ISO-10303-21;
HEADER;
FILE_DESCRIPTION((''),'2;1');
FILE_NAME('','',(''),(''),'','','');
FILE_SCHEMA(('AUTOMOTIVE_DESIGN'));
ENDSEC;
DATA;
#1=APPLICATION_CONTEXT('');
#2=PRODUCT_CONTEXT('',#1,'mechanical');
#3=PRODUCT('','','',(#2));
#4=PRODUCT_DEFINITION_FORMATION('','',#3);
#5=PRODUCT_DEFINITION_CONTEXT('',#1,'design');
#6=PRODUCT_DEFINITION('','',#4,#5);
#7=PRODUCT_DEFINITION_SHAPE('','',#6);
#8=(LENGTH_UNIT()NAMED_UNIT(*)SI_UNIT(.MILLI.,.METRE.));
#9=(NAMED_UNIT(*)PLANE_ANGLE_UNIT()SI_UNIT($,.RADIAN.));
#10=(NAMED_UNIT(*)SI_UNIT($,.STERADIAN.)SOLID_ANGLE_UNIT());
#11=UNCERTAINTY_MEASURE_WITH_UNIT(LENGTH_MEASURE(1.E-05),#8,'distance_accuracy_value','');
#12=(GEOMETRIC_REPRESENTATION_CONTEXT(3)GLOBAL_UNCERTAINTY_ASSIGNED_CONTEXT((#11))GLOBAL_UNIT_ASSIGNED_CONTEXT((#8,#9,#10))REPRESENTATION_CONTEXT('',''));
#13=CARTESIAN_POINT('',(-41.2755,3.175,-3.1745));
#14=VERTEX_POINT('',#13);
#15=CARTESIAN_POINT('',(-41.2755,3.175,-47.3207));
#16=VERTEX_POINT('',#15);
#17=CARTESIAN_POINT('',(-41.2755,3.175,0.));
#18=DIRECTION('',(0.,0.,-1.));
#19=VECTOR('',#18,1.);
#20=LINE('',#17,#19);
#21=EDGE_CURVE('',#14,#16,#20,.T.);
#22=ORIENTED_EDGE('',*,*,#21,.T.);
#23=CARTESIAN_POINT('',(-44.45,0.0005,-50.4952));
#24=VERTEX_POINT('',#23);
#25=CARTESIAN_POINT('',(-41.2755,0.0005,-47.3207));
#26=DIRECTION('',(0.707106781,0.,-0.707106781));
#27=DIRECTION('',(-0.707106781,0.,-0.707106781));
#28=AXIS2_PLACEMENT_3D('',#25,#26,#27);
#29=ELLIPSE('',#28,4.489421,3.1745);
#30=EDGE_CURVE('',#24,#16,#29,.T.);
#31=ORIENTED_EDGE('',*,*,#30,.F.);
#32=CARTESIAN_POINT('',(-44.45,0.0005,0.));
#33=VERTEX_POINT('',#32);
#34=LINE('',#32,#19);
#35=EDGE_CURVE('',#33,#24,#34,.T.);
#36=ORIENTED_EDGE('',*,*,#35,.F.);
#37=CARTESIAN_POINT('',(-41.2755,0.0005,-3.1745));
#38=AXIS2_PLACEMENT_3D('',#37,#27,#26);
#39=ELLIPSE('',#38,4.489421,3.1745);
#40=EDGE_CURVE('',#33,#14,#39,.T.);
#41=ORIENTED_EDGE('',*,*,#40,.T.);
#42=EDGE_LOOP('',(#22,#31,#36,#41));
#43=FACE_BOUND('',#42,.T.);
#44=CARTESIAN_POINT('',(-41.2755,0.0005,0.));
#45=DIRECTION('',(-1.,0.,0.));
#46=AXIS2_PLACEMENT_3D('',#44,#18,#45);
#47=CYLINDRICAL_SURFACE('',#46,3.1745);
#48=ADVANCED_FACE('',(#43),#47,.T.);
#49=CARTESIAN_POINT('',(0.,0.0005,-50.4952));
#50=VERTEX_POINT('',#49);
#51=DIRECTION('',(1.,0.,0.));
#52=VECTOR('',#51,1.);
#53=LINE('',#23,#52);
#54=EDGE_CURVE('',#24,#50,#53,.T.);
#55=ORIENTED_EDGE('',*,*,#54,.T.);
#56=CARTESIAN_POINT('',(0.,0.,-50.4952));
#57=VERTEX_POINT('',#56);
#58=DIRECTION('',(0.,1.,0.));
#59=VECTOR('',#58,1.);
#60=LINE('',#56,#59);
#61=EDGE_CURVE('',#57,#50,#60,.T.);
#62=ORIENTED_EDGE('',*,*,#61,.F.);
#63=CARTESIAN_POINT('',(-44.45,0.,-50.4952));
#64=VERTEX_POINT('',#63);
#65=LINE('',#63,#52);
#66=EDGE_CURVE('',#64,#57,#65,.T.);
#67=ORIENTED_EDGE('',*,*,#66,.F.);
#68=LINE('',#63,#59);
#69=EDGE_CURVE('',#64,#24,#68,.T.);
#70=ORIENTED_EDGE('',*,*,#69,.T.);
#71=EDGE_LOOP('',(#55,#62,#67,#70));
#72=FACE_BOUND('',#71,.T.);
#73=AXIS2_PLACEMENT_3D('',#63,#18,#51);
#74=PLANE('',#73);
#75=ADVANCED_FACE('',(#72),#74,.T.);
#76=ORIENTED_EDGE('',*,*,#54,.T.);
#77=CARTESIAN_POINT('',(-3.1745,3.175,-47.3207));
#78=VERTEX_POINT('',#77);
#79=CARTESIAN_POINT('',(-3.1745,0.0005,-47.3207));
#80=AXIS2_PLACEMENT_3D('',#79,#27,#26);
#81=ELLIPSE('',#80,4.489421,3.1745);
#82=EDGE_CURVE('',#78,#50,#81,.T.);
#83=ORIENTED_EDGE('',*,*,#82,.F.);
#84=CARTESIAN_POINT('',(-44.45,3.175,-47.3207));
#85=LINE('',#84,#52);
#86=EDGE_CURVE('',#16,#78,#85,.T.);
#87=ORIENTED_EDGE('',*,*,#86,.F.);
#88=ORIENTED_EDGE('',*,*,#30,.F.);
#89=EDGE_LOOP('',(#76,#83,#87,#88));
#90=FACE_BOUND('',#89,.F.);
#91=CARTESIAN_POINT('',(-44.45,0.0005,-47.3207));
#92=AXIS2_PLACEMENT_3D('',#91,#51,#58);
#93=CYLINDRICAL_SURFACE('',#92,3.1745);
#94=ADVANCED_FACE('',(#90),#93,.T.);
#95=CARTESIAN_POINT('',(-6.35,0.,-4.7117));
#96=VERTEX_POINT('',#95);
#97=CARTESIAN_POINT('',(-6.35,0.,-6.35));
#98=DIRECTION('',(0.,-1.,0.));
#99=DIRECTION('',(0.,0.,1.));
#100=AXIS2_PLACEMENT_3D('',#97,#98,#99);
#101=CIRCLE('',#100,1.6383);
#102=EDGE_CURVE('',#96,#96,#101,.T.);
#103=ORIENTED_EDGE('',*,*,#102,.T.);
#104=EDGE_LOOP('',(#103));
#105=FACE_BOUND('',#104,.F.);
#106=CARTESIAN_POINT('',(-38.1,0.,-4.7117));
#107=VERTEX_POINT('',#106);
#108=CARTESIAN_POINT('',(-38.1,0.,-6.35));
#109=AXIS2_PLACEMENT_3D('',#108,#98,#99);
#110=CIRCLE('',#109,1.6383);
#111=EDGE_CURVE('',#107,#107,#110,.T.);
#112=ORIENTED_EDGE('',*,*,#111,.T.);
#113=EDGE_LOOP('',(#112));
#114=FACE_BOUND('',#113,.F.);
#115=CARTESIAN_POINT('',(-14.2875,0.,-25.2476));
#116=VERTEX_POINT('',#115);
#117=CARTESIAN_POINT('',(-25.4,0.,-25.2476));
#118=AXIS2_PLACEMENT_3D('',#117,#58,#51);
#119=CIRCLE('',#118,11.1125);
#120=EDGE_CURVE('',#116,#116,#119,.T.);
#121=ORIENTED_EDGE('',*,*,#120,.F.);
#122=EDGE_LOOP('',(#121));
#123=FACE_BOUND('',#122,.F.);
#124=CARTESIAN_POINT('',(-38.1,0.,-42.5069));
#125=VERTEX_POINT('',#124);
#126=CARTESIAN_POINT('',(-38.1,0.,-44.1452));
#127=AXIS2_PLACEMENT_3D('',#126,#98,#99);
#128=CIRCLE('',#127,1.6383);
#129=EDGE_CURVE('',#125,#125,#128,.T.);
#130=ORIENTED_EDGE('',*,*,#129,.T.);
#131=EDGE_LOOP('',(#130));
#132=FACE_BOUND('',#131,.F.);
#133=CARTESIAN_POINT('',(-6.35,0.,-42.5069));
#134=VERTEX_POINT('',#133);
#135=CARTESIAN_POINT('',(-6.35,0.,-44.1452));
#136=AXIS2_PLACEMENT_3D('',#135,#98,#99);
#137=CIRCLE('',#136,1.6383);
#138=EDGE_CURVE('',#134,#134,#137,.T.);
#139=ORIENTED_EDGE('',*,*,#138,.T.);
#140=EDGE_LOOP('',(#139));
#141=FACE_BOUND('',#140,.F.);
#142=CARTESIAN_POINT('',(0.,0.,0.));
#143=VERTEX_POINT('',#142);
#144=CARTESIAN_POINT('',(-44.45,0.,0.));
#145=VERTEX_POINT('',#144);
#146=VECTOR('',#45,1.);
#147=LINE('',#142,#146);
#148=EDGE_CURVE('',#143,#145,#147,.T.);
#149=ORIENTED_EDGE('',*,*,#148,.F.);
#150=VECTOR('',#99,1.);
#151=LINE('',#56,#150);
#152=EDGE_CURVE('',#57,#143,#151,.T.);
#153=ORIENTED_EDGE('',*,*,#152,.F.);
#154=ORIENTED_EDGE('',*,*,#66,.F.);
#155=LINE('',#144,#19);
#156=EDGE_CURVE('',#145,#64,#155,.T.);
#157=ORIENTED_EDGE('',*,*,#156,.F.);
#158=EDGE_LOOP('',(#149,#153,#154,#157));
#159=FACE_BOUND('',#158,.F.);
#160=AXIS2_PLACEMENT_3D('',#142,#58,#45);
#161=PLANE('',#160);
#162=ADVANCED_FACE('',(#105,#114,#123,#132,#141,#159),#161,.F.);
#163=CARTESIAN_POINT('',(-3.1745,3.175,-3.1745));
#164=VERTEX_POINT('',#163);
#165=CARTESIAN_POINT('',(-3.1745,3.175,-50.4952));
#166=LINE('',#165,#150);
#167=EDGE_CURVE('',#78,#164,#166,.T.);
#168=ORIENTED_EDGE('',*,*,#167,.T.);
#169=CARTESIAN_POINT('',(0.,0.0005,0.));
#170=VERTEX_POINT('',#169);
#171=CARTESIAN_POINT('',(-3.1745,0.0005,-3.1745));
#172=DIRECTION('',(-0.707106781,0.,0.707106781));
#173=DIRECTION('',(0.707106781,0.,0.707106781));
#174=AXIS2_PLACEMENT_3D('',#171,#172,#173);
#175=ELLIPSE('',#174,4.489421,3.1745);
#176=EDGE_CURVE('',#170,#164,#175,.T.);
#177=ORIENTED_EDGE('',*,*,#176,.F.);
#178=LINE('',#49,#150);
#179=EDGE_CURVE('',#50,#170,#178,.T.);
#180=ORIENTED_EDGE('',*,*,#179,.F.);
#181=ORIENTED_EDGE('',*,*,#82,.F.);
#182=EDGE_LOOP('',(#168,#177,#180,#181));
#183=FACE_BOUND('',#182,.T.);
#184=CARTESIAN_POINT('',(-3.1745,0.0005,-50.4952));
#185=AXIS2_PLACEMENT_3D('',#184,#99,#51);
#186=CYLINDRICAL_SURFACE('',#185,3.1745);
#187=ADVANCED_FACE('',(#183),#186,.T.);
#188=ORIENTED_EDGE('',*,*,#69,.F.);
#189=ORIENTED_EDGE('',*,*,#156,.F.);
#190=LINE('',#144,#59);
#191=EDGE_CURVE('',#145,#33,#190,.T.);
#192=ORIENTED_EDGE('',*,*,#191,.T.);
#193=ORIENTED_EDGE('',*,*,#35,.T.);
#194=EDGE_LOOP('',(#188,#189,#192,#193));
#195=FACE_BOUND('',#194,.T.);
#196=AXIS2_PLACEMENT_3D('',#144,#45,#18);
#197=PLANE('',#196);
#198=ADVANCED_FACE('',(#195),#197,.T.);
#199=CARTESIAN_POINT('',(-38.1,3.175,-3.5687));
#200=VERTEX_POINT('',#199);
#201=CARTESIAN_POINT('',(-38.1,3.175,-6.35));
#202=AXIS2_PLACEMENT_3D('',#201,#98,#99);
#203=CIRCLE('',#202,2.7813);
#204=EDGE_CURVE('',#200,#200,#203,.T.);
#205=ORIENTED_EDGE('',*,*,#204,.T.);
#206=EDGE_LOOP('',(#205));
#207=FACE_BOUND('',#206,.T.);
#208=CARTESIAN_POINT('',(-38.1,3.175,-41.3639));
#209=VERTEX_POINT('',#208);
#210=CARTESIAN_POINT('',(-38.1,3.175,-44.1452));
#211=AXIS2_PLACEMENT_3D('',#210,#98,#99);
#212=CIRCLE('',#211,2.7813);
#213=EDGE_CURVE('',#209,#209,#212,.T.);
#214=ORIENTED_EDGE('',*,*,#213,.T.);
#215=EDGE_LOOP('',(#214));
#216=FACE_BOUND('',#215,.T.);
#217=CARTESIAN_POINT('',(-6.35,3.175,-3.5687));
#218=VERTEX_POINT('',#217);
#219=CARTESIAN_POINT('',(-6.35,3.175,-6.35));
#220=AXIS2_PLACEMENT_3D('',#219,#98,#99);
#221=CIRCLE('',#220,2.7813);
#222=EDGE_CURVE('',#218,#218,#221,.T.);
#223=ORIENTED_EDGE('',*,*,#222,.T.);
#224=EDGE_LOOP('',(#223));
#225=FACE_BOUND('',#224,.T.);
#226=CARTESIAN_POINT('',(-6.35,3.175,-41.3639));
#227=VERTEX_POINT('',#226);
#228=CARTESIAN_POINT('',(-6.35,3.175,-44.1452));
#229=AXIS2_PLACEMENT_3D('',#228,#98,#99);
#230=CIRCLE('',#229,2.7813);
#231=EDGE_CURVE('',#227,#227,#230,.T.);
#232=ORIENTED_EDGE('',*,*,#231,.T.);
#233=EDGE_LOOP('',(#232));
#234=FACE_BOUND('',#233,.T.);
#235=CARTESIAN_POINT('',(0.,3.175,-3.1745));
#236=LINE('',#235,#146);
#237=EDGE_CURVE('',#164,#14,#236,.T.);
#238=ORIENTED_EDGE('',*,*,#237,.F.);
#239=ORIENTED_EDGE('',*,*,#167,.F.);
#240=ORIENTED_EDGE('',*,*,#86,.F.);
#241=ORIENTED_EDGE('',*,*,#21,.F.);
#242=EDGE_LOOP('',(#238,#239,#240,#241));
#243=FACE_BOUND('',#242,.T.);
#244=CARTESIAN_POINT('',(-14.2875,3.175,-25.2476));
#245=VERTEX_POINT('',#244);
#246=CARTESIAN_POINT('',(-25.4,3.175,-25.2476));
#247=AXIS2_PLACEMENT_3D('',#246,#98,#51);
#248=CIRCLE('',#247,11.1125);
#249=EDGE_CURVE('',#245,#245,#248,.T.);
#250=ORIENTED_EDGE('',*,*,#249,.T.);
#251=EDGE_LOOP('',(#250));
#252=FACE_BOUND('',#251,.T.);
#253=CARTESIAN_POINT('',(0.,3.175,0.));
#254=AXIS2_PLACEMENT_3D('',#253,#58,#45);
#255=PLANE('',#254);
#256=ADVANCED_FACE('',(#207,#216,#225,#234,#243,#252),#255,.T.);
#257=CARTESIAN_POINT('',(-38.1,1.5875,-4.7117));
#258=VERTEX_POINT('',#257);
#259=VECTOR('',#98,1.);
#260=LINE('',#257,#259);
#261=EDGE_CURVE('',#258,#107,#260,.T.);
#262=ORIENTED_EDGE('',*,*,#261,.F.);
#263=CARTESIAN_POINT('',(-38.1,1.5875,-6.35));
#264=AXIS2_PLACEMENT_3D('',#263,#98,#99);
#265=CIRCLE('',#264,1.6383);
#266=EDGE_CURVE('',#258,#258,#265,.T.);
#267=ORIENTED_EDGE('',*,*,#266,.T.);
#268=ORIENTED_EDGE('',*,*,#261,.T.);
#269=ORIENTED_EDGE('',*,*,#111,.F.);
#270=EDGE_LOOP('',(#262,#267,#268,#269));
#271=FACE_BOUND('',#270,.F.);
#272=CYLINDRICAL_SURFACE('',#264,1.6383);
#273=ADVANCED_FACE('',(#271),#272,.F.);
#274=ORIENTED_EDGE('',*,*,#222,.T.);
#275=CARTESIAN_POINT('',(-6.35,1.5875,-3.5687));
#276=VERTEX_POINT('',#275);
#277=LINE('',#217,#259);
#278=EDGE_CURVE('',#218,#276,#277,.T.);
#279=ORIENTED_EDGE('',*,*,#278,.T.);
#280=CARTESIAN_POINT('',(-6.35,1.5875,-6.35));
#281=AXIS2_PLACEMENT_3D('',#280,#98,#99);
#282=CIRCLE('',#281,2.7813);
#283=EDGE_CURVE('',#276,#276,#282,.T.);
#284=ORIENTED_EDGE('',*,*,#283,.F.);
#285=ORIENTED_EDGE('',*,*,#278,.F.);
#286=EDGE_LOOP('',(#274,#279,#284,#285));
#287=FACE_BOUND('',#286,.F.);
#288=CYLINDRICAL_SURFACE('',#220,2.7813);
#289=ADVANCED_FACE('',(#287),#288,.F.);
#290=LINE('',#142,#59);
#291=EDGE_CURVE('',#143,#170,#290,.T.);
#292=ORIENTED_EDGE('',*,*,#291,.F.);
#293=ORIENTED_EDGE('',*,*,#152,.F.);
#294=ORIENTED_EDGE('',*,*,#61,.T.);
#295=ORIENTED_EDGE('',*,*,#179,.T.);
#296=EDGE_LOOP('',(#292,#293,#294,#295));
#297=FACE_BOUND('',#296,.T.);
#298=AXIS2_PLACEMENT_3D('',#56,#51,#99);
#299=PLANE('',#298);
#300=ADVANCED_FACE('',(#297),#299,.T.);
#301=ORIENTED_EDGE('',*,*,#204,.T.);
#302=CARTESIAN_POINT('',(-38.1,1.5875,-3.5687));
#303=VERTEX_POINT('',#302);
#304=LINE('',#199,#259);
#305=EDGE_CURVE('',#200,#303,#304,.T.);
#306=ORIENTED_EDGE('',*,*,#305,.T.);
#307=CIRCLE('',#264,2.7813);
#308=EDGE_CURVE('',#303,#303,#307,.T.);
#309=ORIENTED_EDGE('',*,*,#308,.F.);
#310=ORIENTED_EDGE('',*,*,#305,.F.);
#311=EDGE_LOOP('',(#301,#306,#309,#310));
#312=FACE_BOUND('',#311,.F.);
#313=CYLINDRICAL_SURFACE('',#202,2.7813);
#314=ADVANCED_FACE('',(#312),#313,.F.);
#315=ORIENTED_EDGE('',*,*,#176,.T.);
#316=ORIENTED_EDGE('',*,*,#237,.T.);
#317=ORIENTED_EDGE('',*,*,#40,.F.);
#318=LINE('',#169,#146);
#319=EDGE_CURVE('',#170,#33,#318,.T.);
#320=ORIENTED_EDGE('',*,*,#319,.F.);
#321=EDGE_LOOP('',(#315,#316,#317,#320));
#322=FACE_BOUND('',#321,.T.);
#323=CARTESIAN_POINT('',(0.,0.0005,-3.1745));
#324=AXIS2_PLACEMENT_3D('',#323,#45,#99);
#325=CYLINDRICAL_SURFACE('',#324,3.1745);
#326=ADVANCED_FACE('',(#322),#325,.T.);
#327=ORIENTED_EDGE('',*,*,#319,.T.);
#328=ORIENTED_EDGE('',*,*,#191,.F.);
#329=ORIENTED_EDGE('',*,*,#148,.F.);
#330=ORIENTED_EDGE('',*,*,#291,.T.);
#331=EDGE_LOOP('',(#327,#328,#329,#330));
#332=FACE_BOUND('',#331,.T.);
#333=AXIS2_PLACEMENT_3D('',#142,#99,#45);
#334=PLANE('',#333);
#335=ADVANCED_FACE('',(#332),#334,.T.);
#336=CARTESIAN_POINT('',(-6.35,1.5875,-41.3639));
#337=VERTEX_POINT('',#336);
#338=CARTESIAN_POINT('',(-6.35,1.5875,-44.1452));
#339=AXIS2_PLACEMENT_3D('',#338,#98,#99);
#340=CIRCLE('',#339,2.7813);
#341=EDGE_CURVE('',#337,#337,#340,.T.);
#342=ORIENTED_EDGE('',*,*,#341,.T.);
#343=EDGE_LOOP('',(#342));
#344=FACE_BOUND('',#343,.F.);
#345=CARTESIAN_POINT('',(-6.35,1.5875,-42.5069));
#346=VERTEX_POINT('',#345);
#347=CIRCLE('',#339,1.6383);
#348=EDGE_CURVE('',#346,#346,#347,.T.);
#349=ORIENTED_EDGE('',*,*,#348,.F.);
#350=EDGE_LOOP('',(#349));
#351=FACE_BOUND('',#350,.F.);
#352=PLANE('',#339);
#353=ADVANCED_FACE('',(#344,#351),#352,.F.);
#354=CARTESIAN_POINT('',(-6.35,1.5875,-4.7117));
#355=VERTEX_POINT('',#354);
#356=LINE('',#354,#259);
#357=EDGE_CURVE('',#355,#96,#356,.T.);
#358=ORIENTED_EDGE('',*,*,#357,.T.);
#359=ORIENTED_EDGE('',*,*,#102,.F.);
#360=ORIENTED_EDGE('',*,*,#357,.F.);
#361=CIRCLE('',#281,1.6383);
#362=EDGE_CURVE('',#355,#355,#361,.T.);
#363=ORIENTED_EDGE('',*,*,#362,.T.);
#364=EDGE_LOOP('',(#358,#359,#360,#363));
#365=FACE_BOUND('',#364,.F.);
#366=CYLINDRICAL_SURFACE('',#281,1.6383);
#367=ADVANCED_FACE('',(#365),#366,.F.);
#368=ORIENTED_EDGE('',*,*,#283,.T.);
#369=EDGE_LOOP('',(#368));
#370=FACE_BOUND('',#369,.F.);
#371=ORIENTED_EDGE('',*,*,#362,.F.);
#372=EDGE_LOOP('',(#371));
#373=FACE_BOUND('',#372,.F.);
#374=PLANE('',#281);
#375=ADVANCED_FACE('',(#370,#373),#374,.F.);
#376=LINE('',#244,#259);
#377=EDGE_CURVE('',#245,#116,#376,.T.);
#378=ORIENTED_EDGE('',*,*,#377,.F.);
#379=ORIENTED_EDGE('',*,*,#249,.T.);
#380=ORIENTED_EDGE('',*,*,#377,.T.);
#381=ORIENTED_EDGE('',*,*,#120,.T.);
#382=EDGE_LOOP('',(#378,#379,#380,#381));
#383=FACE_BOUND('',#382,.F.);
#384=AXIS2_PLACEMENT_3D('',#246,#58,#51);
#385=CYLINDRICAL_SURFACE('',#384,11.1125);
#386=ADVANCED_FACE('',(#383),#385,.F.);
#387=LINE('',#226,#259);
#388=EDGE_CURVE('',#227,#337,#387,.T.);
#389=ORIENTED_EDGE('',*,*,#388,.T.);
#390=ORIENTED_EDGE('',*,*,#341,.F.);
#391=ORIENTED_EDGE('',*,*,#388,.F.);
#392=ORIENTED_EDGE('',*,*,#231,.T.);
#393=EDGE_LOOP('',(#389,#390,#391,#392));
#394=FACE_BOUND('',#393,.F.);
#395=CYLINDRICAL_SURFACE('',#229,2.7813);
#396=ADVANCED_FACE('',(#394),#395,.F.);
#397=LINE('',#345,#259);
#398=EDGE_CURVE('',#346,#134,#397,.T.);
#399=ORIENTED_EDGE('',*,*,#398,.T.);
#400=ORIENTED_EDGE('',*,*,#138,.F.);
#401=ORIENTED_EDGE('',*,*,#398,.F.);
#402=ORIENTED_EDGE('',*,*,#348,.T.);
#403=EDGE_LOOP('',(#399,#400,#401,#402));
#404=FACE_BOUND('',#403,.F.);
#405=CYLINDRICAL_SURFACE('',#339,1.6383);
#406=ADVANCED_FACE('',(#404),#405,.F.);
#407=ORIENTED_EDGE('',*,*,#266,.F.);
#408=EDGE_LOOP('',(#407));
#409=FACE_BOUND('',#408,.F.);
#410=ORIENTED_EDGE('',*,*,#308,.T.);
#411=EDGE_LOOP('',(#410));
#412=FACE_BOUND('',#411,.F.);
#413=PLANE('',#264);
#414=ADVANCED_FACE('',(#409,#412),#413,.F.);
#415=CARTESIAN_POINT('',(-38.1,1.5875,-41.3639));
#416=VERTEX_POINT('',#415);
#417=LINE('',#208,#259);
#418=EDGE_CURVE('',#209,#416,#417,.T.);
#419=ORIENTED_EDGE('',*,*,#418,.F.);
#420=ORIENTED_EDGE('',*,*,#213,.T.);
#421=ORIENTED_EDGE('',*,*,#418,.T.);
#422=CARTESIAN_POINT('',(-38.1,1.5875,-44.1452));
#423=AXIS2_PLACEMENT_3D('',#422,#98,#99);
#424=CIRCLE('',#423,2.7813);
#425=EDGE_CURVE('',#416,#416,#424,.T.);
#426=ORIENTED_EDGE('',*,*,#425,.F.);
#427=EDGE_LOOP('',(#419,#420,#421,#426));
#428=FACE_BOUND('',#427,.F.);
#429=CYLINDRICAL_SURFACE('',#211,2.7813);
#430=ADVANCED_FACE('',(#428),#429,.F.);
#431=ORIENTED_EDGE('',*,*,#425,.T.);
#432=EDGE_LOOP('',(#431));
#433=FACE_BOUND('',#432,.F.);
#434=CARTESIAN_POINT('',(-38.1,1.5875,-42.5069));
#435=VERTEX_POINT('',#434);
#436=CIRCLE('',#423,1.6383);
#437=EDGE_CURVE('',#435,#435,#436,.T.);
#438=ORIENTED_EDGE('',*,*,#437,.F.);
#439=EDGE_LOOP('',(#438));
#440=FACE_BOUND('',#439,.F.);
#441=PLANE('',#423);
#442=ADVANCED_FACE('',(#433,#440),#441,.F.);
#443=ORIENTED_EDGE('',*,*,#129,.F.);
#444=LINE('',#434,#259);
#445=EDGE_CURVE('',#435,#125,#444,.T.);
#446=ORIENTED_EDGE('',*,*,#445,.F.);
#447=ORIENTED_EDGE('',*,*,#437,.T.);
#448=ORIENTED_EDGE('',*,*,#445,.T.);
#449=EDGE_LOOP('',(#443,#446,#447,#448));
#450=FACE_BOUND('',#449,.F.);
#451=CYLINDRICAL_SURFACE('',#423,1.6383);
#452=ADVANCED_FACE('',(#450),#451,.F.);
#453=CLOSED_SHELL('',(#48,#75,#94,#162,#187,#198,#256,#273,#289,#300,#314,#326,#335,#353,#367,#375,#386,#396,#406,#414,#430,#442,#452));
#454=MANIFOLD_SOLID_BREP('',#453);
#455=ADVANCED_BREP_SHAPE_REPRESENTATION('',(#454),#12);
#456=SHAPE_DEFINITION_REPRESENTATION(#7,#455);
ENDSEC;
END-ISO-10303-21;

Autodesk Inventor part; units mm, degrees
ref_plane "YZ Plane" through (0, 0, 0) normal (1, 0, 0) x (0, 1, 0)
ref_plane "XZ Plane" through (0, 0, 0) normal (0, 1, 0) x (-1, 0, 0)
ref_plane "XY Plane" through (0, 0, 0) normal (0, 0, 1) x (1, 0, 0)
sketch "Sketch1" plane through (0, 0, 0) normal (0, 1, 0) x (-1, 0, 0)
  line L0 (0, 0) -> (44.45, 0)
  line L1 (44.45, 0) -> (44.45, -50.4952)
  line L2 (44.45, -50.4952) -> (0, -50.4952)
  line L3 (0, -50.4952) -> (0, 0)
  dimension "d0" = 44.45
  dimension "d1" = 50.4952
extrude "Extrusion1" add sketch "Sketch1" along normal blind 3.175
sketch "Sketch2" plane through (0, 3.175, 0) normal (0, 1, 0) x (1, 0, 0)
  line L0 (-44.45, 50.4952) -> (-44.45, 0) projected
  line L1 (-44.45, 50.4952) -> (-38.1, 50.4952)
  line L2 (0, 50.4952) -> (-44.45, 50.4952) projected
  line L3 (-38.1, 50.4952) -> (-38.1, 44.1452)
  line L4 (-44.45, 0) -> (0, 0) projected
  line L5 (0, 0) -> (-6.35, 0)
  line L6 (-6.35, 0) -> (-6.35, 6.35)
  line L7 (-44.45, 50.4952) -> (-44.45, 25.2476)
  line L8 (-44.45, 25.2476) -> (-25.4, 25.2476)
  circle A0 centre (-25.4, 25.2476) radius 11.1125
  line L9 (-44.45, 0) -> (-38.1, 0)
  line L10 (-38.1, 0) -> (-38.1, 6.35)
  line L11 (0, 0) -> (0, 50.4952) projected
  line L12 (0, 50.4952) -> (-6.35, 50.4952)
  line L13 (-6.35, 44.1452) -> (-6.35, 50.4952)
  dimension "d4" = 6.35
  dimension "d5" = 6.35
  dimension "d6" = 6.35
  dimension "d7" = 6.35
  dimension "d15" = 25.2476
  dimension "d16" = 19.05
  dimension "d17" = 22.225
  dimension "d21" = 6.35
  dimension "d22" = 6.35
  dimension "d23" = 6.35
hole "Hole1" at (-6.35, 3.175, -6.35) at (-38.1, 3.175, -44.1452) at (-6.35, 3.175, -44.1452) at (-38.1, 3.175, -6.35) direction (0, -1, 0) diameter 3.2766 depth 12.7 tip angle 118 counterbore diameter 5.5626 counterbore depth 1.5875 clearance for "Socket Head Cap Screw" size "#4" standard "Ansi Unified Screw Threads"
extrude "Extrusion2" cut sketch "Sketch2" against normal blind 3.175 contours A0
fillet "Fillet1" radius 3.175 4 edges at (-44.45, 3.175, -25.2476) (-22.225, 3.175, -50.4952) (0, 3.175, -25.2476) (-22.225, 3.175, 0)
properties part number "sample holder lid for neutron r2"
